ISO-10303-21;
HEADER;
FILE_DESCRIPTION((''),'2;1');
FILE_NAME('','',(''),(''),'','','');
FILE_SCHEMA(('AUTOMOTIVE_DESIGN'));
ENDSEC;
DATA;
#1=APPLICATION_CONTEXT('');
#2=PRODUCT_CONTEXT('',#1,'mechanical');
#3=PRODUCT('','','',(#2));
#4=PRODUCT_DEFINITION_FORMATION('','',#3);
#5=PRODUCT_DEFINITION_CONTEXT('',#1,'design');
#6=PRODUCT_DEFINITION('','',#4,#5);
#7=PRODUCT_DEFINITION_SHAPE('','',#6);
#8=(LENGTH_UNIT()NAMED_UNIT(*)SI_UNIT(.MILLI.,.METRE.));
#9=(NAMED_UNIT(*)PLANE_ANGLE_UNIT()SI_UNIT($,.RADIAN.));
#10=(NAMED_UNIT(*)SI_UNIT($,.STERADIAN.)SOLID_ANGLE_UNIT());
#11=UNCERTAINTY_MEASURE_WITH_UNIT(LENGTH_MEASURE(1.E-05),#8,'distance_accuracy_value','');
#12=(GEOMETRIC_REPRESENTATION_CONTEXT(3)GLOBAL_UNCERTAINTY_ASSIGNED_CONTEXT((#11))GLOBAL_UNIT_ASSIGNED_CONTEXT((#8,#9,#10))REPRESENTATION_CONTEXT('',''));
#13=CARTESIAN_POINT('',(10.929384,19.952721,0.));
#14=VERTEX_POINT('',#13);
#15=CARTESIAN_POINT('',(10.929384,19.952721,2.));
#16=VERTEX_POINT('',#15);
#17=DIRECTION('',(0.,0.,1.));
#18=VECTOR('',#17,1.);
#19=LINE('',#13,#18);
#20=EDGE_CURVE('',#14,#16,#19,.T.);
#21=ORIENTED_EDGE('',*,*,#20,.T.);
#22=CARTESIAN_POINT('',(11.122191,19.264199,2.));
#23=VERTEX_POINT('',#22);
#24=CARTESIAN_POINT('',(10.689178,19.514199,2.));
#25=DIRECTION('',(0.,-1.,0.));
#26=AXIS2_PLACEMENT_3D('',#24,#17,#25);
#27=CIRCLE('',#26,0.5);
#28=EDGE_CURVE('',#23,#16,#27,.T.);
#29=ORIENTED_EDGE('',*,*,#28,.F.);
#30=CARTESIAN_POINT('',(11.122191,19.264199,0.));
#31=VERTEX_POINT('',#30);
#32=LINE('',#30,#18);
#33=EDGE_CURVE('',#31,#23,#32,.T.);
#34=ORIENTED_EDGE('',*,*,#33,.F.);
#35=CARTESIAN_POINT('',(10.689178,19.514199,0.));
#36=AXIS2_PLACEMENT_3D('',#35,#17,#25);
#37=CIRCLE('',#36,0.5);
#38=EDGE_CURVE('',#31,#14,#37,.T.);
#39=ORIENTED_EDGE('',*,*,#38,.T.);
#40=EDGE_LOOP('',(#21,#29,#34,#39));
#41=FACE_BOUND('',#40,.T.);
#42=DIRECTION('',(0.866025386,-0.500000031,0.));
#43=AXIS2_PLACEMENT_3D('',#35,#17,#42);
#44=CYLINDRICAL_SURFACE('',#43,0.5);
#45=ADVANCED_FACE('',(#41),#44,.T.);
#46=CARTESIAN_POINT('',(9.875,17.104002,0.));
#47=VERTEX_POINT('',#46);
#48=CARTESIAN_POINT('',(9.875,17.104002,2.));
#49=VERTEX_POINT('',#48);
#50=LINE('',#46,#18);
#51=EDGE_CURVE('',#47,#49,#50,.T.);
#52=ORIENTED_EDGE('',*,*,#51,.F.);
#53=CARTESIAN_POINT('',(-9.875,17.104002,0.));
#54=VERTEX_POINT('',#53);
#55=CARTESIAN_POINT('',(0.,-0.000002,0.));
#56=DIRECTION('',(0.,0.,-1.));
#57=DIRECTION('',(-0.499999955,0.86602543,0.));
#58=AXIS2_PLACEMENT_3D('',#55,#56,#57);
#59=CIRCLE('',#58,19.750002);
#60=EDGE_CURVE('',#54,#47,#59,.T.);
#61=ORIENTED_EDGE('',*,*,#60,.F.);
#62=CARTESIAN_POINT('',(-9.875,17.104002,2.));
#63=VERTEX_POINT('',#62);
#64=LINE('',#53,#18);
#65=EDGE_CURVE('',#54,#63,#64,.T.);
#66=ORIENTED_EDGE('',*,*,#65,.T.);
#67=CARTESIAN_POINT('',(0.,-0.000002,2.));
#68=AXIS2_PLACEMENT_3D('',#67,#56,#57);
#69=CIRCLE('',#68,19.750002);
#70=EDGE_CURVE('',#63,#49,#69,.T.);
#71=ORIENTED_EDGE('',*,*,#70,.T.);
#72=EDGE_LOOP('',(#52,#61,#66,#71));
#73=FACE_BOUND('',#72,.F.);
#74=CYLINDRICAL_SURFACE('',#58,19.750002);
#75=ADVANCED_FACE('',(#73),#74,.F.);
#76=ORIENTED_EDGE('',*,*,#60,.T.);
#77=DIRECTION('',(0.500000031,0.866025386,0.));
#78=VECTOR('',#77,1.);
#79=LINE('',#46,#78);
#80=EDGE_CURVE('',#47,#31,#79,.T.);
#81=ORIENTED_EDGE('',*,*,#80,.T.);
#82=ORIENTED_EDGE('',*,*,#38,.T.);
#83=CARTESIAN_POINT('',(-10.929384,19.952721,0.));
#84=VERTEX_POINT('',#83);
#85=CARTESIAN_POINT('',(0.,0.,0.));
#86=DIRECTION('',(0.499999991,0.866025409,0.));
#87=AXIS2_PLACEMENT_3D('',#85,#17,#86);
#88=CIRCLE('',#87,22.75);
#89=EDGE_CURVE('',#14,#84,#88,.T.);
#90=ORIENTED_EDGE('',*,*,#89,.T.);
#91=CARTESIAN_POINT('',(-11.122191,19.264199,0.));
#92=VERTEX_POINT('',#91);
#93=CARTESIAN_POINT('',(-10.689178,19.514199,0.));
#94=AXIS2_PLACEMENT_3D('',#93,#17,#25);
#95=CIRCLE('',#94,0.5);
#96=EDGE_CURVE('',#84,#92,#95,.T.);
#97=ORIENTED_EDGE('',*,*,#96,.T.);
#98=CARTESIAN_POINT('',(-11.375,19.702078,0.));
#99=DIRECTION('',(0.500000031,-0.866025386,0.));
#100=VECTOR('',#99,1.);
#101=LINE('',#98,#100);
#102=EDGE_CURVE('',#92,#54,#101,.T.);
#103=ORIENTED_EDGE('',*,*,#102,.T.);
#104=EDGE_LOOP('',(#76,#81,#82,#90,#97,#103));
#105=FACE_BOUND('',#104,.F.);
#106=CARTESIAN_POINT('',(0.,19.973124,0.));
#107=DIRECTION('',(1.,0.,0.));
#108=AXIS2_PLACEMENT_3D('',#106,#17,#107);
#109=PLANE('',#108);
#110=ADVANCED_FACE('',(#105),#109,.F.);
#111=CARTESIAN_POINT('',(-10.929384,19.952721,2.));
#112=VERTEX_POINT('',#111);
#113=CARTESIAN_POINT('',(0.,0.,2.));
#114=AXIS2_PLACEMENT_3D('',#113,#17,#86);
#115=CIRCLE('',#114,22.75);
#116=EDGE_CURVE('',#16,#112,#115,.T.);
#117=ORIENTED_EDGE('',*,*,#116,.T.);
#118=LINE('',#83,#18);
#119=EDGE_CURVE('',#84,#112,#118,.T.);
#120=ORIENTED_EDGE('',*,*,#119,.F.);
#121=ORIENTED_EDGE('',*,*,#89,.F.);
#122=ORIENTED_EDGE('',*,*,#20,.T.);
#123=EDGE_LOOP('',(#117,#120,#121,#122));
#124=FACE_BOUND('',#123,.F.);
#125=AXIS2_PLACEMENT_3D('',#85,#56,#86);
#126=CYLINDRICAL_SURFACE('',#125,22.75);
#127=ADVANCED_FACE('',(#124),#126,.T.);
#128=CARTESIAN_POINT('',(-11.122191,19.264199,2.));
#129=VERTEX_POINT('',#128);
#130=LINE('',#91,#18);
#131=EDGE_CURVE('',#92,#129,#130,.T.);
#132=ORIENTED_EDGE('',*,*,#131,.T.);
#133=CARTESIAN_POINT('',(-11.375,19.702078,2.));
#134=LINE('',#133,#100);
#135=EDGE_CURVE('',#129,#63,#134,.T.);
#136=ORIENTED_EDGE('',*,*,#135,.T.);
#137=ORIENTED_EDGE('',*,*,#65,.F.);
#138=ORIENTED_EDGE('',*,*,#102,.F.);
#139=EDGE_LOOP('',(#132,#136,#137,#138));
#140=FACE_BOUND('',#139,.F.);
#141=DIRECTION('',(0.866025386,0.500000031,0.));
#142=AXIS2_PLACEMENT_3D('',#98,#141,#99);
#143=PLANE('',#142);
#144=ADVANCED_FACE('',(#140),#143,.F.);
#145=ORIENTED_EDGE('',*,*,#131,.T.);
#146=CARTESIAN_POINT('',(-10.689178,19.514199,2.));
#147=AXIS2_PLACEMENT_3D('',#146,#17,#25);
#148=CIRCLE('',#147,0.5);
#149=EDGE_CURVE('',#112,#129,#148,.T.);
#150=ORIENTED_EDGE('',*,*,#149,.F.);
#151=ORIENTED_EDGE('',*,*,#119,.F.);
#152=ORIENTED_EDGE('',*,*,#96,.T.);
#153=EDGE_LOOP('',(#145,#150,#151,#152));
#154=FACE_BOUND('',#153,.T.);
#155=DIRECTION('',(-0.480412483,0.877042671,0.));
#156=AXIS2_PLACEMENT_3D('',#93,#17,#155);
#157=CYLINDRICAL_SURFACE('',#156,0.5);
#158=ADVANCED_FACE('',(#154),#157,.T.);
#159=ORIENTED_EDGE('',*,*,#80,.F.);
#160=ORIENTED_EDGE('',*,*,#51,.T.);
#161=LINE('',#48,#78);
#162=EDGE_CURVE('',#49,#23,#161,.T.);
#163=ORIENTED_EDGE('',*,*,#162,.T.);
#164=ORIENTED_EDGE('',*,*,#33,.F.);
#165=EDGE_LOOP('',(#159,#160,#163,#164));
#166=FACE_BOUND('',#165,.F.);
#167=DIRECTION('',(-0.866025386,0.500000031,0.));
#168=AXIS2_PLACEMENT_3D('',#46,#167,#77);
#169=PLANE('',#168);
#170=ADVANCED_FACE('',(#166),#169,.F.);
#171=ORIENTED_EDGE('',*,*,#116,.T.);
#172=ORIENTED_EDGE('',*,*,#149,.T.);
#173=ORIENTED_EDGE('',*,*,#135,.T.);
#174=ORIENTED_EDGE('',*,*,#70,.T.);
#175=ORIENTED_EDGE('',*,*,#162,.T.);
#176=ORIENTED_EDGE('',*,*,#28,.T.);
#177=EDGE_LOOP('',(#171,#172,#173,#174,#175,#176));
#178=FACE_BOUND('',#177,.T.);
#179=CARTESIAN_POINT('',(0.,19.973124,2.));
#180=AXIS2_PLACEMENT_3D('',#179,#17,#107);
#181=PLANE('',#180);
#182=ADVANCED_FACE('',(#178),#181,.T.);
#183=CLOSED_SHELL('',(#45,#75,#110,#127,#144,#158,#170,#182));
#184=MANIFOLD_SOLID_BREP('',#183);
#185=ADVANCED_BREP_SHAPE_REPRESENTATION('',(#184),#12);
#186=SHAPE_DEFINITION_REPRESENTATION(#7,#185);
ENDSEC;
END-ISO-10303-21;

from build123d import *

# Parameters (mm, degrees)
F1_DEPTH = 2
F2_R     = 0.5


with BuildPart() as f1:
    # F0 (on Top) → F1 (new body)
    with BuildSketch(Plane.XY):
        with BuildLine():
            ThreePointArc((-9.875, 17.104002), (0, 19.75), (9.875, 17.104002))
            Line((9.875, 17.104002), (11.375, 19.702078))
            ThreePointArc((11.375, 19.702078), (0, 22.75), (-11.375, 19.702078))
            Line((-11.375, 19.702078), (-9.875, 17.104002))
        make_face()
    extrude(amount=F1_DEPTH)

    # F2
    f2_edges = [f1.edges().sort_by_distance(p)[0] for p in [
        (-11.375, 19.702078, 1),
        (11.375, 19.702078, 1),
    ]]
    fillet(f2_edges, radius=F2_R)


solid = f1.part
